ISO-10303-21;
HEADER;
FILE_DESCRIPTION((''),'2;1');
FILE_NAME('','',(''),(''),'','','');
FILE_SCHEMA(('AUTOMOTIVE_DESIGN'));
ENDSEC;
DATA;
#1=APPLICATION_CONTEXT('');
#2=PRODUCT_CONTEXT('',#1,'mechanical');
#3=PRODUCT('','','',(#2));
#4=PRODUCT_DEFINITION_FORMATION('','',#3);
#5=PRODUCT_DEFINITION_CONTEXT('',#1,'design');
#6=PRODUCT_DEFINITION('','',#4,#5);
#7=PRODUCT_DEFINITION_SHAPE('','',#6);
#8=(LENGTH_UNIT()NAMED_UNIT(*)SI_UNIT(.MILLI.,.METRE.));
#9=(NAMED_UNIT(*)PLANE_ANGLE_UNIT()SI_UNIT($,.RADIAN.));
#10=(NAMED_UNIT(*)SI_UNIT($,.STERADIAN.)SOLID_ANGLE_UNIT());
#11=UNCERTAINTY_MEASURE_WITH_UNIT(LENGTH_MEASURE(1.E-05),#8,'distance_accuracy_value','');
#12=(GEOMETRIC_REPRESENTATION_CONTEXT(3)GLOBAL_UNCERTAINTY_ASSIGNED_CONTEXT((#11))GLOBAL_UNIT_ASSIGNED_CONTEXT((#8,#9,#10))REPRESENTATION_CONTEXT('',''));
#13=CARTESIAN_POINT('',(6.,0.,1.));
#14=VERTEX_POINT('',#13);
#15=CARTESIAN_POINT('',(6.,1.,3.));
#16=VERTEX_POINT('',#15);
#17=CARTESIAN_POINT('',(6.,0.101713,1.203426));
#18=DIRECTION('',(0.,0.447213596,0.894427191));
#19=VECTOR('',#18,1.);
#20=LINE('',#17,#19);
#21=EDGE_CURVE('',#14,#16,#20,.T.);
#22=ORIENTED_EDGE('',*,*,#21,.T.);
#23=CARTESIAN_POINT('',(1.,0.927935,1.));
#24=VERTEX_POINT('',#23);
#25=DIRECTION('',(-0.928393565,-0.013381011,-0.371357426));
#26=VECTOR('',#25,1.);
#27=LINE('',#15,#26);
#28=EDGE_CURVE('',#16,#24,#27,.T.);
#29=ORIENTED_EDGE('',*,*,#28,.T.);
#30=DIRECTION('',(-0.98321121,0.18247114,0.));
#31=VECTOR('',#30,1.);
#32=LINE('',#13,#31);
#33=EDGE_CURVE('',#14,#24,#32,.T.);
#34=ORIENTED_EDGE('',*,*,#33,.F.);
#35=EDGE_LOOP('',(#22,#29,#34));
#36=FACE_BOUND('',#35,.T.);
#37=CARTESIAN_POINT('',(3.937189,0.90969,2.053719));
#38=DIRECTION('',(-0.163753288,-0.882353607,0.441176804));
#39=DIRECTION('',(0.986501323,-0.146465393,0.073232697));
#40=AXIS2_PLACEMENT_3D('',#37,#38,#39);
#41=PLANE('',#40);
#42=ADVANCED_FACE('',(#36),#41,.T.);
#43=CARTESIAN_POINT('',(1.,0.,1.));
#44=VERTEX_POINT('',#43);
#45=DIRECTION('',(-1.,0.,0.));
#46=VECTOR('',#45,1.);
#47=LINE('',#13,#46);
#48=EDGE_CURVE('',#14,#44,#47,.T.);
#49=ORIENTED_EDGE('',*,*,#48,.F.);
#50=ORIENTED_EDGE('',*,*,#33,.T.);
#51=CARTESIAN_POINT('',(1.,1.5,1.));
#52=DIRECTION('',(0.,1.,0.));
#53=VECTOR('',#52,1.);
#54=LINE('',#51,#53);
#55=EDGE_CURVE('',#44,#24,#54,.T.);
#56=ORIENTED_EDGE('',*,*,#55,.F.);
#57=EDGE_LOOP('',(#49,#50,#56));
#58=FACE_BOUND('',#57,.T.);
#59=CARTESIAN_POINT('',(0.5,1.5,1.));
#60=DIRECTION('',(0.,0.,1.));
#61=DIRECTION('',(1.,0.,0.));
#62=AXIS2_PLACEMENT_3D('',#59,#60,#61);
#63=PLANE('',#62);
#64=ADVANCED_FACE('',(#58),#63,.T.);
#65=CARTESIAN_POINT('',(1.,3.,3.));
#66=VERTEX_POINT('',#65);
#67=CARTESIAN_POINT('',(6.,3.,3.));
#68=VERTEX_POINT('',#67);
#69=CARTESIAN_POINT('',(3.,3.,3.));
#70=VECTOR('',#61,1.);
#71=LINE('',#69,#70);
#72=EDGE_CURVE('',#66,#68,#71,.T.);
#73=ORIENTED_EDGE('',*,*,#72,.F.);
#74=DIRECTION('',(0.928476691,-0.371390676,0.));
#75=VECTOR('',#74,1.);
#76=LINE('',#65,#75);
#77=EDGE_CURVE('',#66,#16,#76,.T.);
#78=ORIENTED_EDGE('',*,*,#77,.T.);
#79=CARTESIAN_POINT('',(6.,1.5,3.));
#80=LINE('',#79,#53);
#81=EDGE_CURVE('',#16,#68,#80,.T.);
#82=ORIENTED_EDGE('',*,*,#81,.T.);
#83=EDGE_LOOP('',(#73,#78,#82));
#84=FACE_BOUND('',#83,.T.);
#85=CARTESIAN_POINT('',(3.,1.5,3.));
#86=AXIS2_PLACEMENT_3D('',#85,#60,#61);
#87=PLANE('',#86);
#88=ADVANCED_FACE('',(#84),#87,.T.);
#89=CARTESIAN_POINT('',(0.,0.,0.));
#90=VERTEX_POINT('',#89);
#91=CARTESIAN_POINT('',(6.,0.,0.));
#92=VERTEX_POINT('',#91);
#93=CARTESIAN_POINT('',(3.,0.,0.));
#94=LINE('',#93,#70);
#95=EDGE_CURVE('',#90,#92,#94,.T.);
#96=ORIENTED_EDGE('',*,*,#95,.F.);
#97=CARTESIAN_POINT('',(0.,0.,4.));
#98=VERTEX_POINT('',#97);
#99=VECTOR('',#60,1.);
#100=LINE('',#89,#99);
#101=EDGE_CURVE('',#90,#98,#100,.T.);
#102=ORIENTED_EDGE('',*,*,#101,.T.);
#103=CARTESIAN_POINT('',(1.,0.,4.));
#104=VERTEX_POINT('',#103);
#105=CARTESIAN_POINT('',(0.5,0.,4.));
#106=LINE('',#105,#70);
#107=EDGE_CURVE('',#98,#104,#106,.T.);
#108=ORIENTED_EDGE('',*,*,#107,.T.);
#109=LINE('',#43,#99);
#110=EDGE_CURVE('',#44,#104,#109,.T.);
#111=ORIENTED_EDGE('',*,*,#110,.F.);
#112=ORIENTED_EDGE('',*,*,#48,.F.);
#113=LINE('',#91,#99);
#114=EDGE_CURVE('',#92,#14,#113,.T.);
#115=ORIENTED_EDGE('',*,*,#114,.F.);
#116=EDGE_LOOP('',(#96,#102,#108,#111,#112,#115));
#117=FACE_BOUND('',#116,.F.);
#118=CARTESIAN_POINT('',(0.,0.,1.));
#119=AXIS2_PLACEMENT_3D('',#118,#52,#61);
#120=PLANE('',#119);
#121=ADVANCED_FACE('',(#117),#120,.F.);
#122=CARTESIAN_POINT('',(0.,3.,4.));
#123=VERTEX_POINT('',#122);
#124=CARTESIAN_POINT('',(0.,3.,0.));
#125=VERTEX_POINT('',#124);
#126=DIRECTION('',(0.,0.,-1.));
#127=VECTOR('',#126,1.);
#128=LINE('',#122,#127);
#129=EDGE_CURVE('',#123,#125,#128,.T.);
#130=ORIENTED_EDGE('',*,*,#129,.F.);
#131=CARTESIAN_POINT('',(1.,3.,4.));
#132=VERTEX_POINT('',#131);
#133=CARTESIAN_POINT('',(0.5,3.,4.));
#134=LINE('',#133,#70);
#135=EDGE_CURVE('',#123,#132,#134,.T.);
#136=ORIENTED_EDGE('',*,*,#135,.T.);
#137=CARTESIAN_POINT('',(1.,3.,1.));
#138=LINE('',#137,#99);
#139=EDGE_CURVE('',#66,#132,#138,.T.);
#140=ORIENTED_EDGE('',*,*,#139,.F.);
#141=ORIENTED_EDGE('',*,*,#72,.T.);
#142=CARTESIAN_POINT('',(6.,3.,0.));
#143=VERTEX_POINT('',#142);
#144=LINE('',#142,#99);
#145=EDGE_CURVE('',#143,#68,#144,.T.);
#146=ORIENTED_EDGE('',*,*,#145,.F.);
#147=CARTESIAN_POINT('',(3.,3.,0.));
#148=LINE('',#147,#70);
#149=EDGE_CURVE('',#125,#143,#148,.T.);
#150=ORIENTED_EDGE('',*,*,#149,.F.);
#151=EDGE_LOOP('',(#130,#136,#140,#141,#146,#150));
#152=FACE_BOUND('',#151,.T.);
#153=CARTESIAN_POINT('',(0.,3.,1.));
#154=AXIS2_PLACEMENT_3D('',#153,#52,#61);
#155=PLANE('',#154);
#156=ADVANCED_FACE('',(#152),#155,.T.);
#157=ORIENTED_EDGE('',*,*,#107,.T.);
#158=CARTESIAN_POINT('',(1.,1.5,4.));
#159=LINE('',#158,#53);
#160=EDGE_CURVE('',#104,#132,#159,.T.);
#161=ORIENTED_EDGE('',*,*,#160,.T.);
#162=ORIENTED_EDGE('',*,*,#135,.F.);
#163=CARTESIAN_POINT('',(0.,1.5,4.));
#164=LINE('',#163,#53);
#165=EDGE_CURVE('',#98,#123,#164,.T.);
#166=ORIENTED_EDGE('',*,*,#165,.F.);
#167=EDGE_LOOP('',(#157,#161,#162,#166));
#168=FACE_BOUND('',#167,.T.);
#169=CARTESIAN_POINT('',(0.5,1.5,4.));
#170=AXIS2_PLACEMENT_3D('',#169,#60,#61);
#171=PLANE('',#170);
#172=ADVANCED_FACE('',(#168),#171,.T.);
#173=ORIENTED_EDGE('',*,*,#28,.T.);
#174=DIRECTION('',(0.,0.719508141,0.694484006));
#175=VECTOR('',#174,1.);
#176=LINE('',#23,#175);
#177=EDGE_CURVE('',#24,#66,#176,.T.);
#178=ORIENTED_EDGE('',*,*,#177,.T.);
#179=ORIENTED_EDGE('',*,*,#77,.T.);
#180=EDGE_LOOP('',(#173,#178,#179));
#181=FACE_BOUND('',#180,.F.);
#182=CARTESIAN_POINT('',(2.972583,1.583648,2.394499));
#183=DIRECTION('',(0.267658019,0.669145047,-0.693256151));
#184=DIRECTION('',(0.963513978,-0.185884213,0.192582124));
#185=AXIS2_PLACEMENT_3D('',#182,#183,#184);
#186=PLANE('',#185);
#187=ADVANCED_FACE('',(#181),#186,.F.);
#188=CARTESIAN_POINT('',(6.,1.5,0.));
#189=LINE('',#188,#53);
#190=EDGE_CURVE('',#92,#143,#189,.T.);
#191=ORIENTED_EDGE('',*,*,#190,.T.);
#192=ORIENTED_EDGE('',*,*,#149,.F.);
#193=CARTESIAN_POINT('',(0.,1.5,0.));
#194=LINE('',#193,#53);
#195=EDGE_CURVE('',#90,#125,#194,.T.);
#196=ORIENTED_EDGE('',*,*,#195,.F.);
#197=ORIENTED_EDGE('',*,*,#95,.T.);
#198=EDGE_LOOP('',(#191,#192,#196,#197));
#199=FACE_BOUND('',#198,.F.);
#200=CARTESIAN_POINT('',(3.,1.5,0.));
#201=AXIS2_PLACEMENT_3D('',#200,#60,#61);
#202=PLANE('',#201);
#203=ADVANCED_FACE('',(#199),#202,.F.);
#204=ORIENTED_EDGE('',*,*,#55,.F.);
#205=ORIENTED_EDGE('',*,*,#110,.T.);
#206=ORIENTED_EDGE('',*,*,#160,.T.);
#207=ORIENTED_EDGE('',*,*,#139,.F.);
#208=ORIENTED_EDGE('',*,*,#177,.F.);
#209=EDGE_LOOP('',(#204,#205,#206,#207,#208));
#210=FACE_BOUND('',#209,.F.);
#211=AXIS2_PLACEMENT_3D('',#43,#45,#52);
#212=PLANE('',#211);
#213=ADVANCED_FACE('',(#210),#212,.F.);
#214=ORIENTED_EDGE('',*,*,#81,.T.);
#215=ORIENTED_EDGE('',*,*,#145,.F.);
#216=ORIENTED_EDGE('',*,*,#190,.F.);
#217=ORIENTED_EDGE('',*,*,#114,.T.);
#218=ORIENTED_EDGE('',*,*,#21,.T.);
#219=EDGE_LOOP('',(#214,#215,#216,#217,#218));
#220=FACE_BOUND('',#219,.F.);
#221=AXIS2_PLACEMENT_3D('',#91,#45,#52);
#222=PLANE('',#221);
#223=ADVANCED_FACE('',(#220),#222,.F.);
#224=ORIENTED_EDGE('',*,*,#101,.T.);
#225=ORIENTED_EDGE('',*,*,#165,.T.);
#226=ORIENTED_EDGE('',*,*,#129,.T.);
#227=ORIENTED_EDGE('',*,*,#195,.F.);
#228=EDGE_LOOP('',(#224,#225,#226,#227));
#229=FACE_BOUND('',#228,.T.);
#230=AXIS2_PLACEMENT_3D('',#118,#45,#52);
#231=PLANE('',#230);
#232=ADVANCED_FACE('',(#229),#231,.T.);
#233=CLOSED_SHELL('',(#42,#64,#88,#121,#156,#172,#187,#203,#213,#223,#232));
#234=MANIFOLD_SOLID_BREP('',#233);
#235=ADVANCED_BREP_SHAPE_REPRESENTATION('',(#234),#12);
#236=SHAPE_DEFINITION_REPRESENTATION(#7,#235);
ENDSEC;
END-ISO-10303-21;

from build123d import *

# Parameters (mm, degrees)
F0_W      = 6
F0_H      = 3
F1_DEPTH  = 3
F2_W      = 1
F2_H      = 3
F3_DEPTH  = 1
F5_DEPTH  = 2
F9_DEPTH  = 3
F10_DEPTH = 25
F14_DEPTH = 25
F15_W     = 1
F15_H     = 3
F16_DEPTH = 3


with BuildPart() as f1:
    # F0 (on Top) → F1 (new body)
    with BuildSketch(Plane.XY):
        with Locations((3, 1.5)):
            Rectangle(F0_W, F0_H)
    extrude(amount=F1_DEPTH)

    # F2 (on face) → F3 (join)
    with BuildSketch(Plane.XY.offset(3)):
        with Locations((0.5, 1.5)):
            Rectangle(F2_W, F2_H)
    extrude(amount=F3_DEPTH)

    # F4 (on face) → F5 (cut)
    with BuildSketch(Plane.XY.offset(3)):
        Polygon((1, 0.9279345977), (1, 0), (6, 0), align=None)
    extrude(amount=-F5_DEPTH, mode=Mode.SUBTRACT)

    # F9 (cut): a face of the model
    f9_faces = [f1.faces().sort_by_distance(p)[0] for p in [
        (0.5, 1.5, 4),
    ]]
    extrude(f9_faces, amount=-F9_DEPTH, mode=Mode.SUBTRACT)

    # F8 (on 3pt) → F10 (cut)
    with BuildSketch(Plane(origin=(0.0522802245, 0.1307005612, -0.1354100555), x_dir=(0.9635139775, -0.1858842133, 0.1925821236), z_dir=(0.2676580189, 0.6691450473, -0.6932561508))):
        Polygon((0.9836077085, -1.3621405037), (0.9836077085, -4.241976442), (6.1729460228, -2.80296016), align=None)
    extrude(amount=-F10_DEPTH, mode=Mode.SUBTRACT)

    # F13 (on 3pt) → F14 (cut)
    with BuildSketch(Plane(origin=(0.0886466837, 0.4776558818, -0.2388279409), x_dir=(0.9865013232, -0.1464653934, 0.0732326967), z_dir=(-0.163753288, -0.8823536074, 0.4411768037))):
        Polygon((1.090059639, 3.2898643985), (0.923823714, 1.3094121588), (5.9922406359, 0.894427191), (6.7155025899, 0.894427191), (6.2731583603, 3.703357419), align=None)
    extrude(amount=F14_DEPTH, mode=Mode.SUBTRACT)

    # F15 (on face) → F16 (join)
    with BuildSketch(Plane.XY.offset(1)):
        with Locations((0.5, 1.5)):
            Rectangle(F15_W, F15_H)
    extrude(amount=F16_DEPTH)


solid = f1.part
